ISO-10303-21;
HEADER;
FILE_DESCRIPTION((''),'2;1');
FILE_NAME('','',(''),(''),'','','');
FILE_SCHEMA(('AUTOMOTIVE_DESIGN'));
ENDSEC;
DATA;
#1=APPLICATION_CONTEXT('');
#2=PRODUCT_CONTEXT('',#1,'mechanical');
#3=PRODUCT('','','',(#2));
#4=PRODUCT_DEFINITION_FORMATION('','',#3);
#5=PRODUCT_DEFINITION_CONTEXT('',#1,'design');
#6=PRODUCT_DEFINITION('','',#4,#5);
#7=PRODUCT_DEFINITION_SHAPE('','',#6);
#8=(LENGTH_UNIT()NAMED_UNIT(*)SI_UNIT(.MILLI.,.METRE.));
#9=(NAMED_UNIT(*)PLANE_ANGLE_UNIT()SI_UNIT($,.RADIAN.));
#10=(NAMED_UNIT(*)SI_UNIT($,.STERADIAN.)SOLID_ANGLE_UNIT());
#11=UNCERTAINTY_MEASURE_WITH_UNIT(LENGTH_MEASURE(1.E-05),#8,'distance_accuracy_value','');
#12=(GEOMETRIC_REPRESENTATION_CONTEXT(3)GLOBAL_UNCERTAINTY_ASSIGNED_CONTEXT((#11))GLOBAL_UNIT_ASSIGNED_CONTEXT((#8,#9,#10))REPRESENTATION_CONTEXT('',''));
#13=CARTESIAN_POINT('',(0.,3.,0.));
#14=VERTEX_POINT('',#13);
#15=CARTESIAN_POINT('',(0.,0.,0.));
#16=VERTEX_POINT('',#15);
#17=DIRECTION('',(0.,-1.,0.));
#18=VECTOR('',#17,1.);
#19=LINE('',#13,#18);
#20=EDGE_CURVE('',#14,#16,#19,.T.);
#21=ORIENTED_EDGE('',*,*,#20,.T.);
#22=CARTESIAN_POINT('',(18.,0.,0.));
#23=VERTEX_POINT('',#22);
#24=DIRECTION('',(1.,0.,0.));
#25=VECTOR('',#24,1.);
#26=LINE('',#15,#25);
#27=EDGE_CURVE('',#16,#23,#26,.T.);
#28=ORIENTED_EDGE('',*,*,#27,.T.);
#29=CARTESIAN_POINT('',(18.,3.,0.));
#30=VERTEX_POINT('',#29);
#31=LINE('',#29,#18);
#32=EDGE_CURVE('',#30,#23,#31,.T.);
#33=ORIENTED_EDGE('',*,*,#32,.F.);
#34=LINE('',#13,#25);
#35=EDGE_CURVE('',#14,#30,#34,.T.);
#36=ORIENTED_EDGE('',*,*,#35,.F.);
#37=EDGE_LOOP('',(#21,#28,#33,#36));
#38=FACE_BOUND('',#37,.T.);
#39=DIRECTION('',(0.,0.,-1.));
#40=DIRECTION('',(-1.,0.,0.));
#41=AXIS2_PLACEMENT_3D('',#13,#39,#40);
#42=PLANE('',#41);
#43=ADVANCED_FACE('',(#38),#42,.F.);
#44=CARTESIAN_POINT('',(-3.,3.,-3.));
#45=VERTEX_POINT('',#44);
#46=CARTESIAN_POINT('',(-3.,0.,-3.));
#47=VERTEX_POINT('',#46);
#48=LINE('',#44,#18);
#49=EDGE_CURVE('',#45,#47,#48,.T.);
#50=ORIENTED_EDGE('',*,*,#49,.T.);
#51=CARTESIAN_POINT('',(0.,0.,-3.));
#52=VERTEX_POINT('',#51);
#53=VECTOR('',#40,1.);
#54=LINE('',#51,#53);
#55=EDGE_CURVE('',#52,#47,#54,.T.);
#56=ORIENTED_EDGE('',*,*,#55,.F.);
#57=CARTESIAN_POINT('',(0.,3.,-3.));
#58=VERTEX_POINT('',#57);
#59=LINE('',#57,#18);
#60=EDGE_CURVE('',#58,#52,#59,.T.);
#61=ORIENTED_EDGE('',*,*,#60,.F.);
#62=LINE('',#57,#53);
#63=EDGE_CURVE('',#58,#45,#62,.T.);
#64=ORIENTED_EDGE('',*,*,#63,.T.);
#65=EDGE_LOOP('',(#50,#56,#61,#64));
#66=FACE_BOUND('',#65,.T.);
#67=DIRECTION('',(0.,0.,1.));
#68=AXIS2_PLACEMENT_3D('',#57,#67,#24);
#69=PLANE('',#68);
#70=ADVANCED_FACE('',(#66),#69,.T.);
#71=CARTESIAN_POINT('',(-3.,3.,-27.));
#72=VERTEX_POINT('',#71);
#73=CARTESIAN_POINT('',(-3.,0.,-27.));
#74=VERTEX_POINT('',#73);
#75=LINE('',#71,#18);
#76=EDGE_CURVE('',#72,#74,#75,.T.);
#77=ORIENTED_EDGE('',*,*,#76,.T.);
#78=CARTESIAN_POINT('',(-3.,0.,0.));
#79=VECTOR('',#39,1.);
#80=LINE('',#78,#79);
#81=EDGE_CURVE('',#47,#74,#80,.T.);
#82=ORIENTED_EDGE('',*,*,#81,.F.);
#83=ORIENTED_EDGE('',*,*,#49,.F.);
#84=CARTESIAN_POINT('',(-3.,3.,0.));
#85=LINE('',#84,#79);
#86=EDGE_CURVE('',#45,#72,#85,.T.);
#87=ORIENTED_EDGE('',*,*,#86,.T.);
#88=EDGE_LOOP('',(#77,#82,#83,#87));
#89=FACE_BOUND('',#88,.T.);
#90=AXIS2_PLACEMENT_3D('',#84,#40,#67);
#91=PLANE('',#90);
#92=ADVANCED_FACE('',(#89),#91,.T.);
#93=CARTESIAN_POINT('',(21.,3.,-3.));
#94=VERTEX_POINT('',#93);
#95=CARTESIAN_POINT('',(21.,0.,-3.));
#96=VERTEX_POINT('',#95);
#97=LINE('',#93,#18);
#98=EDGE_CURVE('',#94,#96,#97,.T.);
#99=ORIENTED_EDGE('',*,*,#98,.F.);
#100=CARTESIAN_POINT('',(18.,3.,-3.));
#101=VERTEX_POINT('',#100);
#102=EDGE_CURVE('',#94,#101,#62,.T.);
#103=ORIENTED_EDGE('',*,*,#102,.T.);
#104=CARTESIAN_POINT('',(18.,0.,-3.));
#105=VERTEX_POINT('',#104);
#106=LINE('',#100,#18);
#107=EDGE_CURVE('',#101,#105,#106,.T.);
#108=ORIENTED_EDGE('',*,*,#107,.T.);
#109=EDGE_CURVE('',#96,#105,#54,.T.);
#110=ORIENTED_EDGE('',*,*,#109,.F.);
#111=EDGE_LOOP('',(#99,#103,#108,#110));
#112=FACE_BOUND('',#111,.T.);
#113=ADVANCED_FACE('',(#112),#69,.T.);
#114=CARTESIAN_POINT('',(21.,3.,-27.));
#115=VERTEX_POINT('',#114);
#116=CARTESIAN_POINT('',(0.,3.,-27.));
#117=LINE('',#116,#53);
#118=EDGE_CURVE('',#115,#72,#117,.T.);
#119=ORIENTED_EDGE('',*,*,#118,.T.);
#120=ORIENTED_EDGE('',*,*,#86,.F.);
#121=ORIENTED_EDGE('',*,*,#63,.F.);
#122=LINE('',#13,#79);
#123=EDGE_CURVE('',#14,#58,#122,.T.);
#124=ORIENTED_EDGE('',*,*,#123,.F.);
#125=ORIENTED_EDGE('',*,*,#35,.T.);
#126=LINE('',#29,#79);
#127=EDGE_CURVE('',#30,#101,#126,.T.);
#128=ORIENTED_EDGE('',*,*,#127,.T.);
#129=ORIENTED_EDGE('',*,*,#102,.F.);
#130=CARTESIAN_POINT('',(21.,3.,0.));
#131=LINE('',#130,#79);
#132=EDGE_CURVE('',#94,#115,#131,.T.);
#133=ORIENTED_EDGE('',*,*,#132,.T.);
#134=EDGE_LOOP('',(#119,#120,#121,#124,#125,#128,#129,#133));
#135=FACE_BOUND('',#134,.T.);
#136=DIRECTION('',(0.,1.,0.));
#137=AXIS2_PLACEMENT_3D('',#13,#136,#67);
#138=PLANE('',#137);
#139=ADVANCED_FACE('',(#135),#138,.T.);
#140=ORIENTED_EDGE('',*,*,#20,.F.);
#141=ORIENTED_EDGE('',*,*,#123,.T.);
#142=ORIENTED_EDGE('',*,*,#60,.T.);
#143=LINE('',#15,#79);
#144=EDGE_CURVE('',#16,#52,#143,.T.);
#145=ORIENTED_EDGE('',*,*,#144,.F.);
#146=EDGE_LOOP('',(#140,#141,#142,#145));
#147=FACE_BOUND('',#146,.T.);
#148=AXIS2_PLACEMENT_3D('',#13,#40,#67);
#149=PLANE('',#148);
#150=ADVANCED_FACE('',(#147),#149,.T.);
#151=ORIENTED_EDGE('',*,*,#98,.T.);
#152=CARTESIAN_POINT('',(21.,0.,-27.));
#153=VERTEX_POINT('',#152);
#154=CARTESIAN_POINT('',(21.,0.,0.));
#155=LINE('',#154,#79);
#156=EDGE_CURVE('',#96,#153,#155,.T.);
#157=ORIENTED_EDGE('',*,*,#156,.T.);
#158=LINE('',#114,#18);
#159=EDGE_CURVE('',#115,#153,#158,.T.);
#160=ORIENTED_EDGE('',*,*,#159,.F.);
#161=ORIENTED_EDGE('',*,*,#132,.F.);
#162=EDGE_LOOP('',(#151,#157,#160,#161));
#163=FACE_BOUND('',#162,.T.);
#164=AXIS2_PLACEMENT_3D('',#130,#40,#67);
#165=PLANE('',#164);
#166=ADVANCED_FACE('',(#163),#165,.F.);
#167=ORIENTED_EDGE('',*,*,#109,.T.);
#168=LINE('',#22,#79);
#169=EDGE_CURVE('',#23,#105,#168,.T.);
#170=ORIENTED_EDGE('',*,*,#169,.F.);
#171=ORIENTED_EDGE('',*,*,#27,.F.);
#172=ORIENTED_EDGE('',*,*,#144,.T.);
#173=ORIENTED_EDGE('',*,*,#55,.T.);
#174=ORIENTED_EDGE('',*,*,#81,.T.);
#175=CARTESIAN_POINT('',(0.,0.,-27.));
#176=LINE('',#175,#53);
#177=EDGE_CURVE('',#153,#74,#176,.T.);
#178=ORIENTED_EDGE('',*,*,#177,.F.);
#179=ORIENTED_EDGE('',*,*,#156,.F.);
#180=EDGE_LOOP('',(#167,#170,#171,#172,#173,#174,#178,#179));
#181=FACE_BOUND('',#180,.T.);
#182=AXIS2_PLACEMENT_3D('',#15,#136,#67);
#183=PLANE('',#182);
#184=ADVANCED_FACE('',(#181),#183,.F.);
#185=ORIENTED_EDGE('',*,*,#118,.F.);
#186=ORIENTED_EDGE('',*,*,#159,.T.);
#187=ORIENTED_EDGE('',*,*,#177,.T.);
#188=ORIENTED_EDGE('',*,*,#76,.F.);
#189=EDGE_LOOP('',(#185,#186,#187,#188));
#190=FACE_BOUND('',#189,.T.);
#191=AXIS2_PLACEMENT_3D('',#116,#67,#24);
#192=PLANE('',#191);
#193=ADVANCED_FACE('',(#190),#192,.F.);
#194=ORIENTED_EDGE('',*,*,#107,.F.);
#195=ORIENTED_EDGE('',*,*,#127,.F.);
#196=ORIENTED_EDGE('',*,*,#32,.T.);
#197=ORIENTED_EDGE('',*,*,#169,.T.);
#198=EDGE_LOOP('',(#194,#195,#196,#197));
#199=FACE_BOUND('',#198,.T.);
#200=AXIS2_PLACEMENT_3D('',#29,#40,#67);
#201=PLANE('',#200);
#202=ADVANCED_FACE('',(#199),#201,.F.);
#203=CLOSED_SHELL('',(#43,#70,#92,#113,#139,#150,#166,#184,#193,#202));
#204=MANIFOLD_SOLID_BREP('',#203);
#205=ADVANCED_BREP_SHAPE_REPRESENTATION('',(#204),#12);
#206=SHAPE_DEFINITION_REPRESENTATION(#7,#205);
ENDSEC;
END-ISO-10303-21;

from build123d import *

# Parameters (mm, degrees)
SALIENTE_EXTRUIR1_DEPTH = 3


with BuildPart() as part:
    # Croquis1 → Saliente-Extruir1 (new body)
    with BuildSketch(Plane(origin=(0, 0, 0), x_dir=(1, 0, 0), z_dir=(0, 1, 0))):
        Polygon((0, 3), (0, 0), (18, 0), (18, 3), (21, 3), (21, 27), (18, 27), (0, 27), (-3, 27), (-3, 3), align=None)
    extrude(amount=SALIENTE_EXTRUIR1_DEPTH)


solid = part.part
